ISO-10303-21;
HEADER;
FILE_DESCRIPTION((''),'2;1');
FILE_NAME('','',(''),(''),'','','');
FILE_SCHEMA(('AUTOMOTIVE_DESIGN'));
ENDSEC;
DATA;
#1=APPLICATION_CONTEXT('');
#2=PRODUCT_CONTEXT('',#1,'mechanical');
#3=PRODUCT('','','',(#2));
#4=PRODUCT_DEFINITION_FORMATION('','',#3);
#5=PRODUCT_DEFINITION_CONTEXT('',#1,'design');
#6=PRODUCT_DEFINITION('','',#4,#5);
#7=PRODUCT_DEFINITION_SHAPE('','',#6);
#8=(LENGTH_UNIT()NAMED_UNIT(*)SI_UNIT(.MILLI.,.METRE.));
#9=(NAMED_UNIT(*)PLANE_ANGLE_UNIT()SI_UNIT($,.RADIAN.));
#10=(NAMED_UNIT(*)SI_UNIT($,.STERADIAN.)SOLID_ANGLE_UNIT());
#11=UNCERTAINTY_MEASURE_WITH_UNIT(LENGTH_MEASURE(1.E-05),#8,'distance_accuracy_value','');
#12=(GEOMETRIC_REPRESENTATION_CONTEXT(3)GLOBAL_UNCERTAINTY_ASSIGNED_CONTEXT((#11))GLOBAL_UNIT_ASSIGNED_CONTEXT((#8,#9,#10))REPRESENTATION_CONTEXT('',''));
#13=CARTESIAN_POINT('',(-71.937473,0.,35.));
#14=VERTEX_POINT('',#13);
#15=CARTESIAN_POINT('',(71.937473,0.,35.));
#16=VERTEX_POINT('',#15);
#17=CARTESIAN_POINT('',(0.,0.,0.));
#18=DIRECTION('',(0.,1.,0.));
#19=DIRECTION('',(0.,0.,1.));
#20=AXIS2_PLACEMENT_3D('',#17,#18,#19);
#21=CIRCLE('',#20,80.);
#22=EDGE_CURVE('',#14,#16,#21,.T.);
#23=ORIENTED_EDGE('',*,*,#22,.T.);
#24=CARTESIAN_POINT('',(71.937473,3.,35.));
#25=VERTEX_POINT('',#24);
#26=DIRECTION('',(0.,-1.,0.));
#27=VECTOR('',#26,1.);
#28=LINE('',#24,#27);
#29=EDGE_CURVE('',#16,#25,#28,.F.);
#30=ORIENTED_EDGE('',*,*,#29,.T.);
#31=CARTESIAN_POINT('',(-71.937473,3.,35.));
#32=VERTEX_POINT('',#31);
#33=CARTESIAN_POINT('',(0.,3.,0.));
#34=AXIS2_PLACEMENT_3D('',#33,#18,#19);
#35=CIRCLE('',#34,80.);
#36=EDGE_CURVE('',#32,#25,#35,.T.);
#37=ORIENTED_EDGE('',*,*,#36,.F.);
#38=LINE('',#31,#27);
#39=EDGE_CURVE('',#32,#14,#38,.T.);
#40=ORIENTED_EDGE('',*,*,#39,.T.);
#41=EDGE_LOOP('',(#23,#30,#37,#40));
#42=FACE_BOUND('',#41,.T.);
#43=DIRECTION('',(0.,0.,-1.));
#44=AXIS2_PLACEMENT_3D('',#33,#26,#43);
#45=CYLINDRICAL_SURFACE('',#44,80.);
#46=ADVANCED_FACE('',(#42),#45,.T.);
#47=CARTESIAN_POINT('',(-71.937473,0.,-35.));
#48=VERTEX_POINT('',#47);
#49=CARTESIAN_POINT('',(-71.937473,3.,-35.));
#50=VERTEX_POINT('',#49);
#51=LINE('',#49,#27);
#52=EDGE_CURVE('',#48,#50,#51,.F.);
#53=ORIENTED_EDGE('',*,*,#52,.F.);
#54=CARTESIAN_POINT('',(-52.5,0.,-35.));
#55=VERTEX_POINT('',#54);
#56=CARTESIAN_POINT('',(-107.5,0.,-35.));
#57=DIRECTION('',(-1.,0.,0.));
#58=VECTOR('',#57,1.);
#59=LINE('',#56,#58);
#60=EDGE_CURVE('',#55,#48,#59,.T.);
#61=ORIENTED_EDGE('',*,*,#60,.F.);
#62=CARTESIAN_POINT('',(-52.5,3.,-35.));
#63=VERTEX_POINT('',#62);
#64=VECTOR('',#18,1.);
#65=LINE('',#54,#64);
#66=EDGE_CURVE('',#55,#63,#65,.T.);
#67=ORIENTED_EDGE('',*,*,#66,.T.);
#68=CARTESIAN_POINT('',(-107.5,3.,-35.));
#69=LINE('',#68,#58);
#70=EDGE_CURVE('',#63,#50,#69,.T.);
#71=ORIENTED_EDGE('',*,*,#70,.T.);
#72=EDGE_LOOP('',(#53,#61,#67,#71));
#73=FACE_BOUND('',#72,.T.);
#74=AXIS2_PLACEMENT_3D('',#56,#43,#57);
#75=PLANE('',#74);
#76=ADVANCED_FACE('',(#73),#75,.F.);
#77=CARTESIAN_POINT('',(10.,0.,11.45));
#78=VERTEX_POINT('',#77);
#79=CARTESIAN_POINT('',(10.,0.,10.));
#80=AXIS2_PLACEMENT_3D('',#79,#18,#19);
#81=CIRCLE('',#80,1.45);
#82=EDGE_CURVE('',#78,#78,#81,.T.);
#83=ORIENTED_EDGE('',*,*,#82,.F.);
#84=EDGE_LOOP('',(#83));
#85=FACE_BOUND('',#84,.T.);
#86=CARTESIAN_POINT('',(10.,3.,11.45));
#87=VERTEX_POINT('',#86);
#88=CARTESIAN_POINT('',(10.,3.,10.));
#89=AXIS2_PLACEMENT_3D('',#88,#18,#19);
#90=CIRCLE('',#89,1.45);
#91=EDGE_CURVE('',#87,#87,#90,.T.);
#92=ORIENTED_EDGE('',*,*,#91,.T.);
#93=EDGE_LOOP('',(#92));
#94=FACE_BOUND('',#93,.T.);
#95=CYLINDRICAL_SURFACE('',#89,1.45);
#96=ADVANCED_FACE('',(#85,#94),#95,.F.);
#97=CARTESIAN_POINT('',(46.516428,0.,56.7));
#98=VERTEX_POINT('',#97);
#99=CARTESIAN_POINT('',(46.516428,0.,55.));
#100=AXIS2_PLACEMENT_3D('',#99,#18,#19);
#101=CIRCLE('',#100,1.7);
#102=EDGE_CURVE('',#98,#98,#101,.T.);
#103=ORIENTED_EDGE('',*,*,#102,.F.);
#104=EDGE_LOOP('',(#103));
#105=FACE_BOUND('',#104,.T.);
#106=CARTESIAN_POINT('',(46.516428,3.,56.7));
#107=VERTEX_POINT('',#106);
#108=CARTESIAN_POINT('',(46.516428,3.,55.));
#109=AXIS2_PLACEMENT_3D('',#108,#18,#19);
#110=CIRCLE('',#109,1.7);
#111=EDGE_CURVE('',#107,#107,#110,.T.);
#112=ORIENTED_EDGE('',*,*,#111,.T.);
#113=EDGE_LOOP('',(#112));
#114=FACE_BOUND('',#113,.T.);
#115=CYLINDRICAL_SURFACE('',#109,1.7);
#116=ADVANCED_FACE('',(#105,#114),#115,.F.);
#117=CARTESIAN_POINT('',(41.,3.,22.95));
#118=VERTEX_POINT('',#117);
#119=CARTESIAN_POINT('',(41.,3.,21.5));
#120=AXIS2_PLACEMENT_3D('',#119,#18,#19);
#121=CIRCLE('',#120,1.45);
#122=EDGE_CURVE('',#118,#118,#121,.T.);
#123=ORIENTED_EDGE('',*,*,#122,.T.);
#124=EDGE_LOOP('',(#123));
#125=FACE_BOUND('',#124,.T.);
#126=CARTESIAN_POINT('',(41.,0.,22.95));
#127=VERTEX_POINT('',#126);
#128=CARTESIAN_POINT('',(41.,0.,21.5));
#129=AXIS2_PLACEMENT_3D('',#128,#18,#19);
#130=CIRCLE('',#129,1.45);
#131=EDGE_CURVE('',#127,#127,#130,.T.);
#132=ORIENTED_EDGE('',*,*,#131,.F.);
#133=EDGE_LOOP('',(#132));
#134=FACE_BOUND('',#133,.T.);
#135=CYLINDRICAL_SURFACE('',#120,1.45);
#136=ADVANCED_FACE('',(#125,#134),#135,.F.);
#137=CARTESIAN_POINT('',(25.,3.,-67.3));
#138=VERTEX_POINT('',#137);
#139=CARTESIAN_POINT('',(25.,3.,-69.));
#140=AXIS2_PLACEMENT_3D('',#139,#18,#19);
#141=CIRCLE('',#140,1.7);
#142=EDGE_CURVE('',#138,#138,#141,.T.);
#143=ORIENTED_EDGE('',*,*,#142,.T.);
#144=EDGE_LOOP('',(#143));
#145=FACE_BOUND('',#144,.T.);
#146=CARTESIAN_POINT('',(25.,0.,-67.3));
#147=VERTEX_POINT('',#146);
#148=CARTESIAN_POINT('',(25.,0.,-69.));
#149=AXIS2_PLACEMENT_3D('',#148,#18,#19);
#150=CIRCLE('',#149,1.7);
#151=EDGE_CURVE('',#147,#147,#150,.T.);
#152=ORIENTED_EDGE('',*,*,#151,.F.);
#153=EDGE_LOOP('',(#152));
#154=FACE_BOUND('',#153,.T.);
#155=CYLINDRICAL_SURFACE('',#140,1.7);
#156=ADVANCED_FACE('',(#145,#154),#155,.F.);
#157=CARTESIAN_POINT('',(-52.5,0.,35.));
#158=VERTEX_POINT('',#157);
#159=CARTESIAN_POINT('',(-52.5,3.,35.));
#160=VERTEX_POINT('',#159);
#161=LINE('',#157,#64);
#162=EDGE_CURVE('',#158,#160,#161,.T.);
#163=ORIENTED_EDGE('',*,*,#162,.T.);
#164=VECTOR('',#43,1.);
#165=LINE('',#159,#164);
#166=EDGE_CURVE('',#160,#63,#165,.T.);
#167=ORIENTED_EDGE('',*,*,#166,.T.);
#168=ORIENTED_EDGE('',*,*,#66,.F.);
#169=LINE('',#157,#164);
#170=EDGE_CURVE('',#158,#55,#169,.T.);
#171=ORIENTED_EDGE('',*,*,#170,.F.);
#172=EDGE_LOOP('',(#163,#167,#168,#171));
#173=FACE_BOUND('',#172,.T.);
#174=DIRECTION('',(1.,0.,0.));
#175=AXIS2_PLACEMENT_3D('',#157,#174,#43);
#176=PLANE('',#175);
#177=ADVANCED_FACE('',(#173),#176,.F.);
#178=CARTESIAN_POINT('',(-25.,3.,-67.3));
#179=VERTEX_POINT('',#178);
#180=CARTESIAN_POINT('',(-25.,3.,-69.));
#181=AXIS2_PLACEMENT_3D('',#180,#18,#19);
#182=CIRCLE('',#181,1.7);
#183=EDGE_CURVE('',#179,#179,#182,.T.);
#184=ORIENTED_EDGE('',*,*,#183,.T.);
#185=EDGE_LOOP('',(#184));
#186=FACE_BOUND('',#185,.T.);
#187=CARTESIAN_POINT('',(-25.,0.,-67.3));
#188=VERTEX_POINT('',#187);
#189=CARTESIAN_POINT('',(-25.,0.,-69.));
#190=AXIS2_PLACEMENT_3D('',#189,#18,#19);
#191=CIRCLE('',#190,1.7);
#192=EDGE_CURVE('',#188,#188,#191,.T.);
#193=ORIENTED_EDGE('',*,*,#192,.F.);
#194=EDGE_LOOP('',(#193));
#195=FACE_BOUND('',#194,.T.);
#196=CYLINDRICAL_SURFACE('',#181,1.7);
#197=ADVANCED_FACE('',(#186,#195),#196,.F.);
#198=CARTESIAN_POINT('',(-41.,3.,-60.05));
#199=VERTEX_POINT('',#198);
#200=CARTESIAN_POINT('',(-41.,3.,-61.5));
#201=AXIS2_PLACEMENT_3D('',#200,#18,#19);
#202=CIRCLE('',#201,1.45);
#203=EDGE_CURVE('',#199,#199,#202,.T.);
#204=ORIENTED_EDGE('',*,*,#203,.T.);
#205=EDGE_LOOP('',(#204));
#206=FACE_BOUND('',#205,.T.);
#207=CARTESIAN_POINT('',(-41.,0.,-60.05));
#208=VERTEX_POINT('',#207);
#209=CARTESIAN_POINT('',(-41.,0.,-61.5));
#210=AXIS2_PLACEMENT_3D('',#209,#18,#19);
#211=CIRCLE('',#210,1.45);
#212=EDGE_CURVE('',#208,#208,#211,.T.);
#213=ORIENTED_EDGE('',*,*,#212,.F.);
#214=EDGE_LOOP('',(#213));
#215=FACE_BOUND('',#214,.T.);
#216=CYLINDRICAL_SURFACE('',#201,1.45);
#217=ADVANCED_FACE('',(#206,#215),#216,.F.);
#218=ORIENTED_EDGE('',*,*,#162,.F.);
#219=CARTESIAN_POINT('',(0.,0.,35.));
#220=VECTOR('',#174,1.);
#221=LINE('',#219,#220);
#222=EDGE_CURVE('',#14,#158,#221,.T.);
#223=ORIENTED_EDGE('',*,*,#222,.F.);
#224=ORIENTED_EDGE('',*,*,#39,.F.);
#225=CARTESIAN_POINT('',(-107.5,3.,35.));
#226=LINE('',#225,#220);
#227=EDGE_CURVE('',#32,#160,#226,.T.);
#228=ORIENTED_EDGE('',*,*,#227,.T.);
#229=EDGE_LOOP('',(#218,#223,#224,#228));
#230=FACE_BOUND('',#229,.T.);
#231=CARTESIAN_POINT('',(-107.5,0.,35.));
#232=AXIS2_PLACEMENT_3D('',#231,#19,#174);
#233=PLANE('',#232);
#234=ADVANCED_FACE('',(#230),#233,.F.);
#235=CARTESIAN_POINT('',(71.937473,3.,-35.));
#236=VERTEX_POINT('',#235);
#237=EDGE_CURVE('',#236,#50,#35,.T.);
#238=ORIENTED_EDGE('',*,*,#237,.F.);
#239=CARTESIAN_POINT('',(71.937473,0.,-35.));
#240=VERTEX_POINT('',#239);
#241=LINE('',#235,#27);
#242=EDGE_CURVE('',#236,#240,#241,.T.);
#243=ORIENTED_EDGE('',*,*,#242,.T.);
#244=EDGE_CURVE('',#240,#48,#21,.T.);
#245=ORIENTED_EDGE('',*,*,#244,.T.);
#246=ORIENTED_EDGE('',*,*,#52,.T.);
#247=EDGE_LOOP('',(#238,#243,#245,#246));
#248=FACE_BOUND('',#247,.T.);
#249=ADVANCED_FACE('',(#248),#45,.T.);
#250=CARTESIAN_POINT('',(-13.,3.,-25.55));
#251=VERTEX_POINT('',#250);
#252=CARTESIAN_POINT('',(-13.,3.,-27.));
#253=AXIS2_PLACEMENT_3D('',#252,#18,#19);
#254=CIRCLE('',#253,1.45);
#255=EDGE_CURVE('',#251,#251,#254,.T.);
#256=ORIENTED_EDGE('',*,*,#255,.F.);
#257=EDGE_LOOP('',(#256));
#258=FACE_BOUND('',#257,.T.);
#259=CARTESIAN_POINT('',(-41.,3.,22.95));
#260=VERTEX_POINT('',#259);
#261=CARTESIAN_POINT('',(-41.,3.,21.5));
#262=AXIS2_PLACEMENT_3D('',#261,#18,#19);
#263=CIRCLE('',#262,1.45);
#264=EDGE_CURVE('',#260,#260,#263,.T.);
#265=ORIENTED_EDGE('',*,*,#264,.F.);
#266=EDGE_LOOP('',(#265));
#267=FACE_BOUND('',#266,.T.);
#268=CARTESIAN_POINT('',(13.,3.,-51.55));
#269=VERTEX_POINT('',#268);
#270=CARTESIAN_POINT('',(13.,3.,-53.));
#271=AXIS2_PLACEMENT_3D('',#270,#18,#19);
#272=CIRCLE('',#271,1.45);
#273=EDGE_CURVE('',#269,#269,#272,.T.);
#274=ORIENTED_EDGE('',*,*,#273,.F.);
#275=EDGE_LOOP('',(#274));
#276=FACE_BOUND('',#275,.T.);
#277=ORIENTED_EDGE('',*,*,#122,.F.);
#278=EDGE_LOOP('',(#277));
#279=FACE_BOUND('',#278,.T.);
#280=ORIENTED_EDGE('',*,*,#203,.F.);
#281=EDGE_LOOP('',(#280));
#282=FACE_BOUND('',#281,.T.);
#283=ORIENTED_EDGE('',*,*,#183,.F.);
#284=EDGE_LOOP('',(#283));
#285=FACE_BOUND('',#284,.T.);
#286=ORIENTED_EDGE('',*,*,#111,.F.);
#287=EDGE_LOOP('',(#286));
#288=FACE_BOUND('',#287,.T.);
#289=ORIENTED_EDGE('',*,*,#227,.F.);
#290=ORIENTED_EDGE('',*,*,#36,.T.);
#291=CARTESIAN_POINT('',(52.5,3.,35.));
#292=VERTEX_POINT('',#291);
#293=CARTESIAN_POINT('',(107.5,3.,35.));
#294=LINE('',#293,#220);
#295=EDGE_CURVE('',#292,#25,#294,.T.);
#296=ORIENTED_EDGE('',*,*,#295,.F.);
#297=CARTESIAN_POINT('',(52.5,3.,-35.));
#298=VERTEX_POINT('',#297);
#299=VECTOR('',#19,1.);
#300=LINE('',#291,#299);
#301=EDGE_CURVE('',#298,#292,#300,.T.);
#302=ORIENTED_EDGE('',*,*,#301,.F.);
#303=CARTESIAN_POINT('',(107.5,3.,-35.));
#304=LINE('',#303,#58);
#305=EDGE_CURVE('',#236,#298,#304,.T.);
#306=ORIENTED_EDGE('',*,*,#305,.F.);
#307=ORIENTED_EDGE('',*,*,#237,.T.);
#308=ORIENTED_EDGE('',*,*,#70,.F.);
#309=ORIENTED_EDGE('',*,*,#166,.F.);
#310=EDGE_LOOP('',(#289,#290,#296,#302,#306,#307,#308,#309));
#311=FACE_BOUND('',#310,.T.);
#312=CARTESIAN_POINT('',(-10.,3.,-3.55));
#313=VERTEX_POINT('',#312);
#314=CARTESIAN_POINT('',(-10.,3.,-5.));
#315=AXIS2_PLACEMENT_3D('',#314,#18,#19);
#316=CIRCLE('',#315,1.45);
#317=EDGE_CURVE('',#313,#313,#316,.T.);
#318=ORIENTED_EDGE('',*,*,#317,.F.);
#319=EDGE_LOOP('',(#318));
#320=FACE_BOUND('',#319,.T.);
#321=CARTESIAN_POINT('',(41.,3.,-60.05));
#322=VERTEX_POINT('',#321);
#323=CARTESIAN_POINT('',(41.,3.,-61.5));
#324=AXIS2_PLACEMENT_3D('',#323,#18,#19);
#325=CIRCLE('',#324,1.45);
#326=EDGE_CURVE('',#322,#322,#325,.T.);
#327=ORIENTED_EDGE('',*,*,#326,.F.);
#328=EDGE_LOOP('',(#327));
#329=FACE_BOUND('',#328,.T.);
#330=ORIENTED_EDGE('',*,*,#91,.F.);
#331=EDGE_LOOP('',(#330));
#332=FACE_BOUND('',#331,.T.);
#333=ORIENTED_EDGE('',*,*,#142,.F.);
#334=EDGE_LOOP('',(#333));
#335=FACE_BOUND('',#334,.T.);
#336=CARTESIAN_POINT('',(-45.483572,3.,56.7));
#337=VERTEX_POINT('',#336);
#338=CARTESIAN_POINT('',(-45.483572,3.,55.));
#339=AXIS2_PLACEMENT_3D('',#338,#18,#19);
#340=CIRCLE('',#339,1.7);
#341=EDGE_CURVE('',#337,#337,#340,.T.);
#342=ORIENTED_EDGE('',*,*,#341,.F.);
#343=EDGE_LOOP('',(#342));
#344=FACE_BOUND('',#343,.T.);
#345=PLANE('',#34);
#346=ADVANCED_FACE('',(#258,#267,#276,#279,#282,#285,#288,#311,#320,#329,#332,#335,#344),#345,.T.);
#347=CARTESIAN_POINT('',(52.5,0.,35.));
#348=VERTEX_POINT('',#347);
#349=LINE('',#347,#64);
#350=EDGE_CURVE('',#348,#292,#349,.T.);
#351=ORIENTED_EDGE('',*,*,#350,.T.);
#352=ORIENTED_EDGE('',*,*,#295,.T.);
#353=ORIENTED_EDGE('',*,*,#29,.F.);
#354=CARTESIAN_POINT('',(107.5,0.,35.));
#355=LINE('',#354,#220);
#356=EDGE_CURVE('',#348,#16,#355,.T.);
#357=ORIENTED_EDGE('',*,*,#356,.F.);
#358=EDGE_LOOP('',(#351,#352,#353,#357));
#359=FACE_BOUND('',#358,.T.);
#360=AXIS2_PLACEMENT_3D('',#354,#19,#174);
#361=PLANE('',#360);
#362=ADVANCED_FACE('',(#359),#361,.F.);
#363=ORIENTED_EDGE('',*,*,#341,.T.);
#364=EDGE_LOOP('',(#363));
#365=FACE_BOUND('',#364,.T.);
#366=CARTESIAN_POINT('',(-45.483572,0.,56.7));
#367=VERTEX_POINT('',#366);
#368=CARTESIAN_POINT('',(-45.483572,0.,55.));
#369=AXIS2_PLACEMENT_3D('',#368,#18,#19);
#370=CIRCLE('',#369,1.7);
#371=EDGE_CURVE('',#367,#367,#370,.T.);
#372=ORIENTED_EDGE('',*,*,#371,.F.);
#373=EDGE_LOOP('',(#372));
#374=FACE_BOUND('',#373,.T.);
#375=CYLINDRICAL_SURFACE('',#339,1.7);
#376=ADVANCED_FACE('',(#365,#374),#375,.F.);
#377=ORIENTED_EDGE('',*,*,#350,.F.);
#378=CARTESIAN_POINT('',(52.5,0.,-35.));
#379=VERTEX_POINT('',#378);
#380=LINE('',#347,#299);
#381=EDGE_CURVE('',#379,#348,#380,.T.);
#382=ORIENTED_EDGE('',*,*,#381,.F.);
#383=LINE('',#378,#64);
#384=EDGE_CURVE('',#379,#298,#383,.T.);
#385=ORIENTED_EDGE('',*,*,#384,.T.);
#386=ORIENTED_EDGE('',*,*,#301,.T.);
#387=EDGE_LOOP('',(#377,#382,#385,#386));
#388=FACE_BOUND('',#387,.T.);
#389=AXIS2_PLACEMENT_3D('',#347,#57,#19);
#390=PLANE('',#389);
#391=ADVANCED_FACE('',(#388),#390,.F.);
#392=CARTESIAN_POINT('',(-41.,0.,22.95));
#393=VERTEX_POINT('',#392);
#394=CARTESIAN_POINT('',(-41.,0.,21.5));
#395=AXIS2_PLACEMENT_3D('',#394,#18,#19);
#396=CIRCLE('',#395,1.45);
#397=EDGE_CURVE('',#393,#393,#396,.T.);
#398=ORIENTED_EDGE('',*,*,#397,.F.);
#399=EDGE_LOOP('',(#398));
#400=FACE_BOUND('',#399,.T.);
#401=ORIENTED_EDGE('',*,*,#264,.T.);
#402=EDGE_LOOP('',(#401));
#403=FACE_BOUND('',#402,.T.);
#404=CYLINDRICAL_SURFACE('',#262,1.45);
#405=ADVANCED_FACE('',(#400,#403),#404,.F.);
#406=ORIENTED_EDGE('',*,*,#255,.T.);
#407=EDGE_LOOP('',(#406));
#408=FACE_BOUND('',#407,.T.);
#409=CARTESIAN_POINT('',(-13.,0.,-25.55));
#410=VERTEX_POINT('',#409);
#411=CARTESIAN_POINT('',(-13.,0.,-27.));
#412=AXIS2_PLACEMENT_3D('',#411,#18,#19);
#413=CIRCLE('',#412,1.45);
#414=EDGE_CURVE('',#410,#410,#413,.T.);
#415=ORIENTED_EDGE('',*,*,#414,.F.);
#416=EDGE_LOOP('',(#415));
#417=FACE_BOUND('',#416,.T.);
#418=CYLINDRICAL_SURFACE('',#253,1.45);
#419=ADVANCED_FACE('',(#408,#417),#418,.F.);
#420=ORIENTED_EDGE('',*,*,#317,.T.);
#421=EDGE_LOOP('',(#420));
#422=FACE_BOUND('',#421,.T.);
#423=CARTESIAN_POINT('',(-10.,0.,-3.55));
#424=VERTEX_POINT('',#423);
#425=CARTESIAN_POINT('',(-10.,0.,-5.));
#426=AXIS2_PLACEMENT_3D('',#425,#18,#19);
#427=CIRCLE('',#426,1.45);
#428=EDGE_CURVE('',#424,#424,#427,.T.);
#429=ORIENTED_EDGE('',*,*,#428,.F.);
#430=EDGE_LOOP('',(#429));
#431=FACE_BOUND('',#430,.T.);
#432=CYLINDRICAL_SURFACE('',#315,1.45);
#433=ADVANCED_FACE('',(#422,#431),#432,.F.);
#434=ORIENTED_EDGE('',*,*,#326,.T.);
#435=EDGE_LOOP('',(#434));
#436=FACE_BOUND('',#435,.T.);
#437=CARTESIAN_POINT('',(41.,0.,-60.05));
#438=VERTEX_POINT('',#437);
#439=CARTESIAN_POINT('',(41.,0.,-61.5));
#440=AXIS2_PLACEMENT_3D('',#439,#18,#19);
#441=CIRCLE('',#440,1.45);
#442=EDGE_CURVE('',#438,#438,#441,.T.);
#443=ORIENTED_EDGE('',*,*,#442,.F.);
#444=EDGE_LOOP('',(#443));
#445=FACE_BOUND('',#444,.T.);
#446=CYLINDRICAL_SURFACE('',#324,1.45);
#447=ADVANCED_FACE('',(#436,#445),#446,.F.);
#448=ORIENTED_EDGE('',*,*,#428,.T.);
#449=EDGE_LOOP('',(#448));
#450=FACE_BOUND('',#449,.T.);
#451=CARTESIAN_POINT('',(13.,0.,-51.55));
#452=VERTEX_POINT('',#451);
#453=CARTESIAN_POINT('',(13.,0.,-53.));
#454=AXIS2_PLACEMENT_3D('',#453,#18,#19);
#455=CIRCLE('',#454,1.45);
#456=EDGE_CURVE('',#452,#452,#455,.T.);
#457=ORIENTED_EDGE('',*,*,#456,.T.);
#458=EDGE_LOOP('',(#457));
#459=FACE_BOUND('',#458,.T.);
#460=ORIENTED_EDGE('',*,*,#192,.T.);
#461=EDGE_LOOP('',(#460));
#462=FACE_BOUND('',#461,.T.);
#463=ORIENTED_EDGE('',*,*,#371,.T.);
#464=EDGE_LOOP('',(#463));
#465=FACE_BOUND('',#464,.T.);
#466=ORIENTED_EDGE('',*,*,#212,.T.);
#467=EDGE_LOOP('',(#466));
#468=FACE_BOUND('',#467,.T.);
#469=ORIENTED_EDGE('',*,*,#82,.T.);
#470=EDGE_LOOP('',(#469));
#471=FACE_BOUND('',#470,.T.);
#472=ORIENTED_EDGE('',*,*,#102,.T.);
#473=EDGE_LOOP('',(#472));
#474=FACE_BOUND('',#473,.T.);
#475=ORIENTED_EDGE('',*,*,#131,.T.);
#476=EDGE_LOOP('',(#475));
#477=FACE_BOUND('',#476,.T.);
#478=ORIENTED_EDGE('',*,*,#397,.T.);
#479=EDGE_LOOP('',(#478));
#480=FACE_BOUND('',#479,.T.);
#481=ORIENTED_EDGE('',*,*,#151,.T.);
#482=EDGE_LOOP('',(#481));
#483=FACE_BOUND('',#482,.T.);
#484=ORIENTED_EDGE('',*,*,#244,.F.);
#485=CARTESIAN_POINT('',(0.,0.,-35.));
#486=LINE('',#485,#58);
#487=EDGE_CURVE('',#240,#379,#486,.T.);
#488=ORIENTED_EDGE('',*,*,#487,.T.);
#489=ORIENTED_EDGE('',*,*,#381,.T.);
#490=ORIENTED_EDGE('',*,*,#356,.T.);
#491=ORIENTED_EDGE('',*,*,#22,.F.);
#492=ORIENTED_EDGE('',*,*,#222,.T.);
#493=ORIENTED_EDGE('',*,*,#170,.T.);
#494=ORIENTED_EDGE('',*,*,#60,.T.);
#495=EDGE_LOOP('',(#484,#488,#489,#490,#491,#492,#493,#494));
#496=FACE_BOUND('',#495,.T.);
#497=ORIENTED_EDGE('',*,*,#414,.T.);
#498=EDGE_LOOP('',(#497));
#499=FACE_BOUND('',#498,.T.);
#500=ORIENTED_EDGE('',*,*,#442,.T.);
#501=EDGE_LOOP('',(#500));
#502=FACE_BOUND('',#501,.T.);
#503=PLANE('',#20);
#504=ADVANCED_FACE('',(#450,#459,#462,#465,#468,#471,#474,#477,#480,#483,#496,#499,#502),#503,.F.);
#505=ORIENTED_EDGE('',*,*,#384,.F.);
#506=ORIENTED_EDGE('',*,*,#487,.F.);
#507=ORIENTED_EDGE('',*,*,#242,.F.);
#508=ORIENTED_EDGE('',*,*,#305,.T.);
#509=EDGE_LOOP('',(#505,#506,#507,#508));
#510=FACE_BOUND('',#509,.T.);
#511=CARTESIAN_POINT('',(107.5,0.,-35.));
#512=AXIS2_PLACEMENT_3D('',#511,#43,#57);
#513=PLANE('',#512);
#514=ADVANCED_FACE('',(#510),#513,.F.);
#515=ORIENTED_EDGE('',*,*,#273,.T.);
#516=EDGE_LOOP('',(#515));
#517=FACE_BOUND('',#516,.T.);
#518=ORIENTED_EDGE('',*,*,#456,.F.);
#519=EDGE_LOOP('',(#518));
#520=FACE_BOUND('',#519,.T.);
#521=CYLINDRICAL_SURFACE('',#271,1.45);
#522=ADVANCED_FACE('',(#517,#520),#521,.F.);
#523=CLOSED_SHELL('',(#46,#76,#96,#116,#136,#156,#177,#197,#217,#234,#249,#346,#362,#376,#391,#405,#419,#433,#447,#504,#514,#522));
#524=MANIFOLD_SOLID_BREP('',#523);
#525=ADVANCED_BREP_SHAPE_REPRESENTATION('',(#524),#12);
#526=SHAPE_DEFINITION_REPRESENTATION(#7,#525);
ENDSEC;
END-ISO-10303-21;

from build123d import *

# Parameters (mm, degrees)
ESQUISSE1_R             = 80
BOSS_EXTRU_1_DEPTH      = 3
ESQUISSE2_W             = 55
ESQUISSE2_H             = 70
ENL_V_MAT_EXTRU_1_DEPTH = 114.176852757
D_GAGEMENT_M2_51_D      = 2.9
D_GAGEMENT_M2_51_DEPTH  = 24
D_GAGEMENT_M2_51_TIP    = 0.871247898
D_GAGEMENT_M2_52_D      = 2.9
D_GAGEMENT_M2_52_DEPTH  = 24
D_GAGEMENT_M2_52_TIP    = 0.871247898
D_GAGEMENT_M31_D        = 3.4
D_GAGEMENT_M31_DEPTH    = 24
D_GAGEMENT_M31_TIP      = 1.021463052


with BuildPart() as part:
    # Esquisse1 → Boss.-Extru.1 (new body)
    with BuildSketch(Plane(origin=(0, 0, 0), x_dir=(1, 0, 0), z_dir=(0, 1, 0))):
        with Locations(Location((0, 0, 0), (0, 0, 270))):
            Circle(ESQUISSE1_R)
    extrude(amount=BOSS_EXTRU_1_DEPTH)

    # Esquisse2 → Enlèv. mat.-Extru.1 (cut, through all)
    with BuildSketch(Plane(origin=(0, 3, 0), x_dir=(1, 0, 0), z_dir=(0, 1, 0))):
        with Locations((-80, 0)):
            Rectangle(ESQUISSE2_W, ESQUISSE2_H)
        with Locations((80, 0)):
            Rectangle(ESQUISSE2_W, ESQUISSE2_H)
    extrude(amount=-ENL_V_MAT_EXTRU_1_DEPTH, mode=Mode.SUBTRACT)

    # Dégagement M2.51
    with Locations(Plane(origin=(0, 3, 0), x_dir=(1, 0, 0), z_dir=(0, 1, 0))):
        with Locations((-41, 61.5), (-41, -21.5), (41, -21.5), (41, 61.5)):
            Hole(D_GAGEMENT_M2_51_D / 2, depth=D_GAGEMENT_M2_51_DEPTH)
            with Locations((0, 0, -(D_GAGEMENT_M2_51_DEPTH + D_GAGEMENT_M2_51_TIP / 2))):  # 118° drill point
                Cone(0, D_GAGEMENT_M2_51_D / 2, D_GAGEMENT_M2_51_TIP, mode=Mode.SUBTRACT)

    # Dégagement M2.52
    with Locations(Plane(origin=(0, 3, 0), x_dir=(1, 0, 0), z_dir=(0, 1, 0))):
        with Locations((-13, 27), (13, 53), (-10, 5), (10, -10)):
            Hole(D_GAGEMENT_M2_52_D / 2, depth=D_GAGEMENT_M2_52_DEPTH)
            with Locations((0, 0, -(D_GAGEMENT_M2_52_DEPTH + D_GAGEMENT_M2_52_TIP / 2))):  # 118° drill point
                Cone(0, D_GAGEMENT_M2_52_D / 2, D_GAGEMENT_M2_52_TIP, mode=Mode.SUBTRACT)

    # Dégagement M31
    with Locations(Plane(origin=(0, 3, 0), x_dir=(1, 0, 0), z_dir=(0, 1, 0))):
        with Locations((-45.483572208, -55), (46.516427792, -55), (-25, 69), (25, 69)):
            Hole(D_GAGEMENT_M31_D / 2, depth=D_GAGEMENT_M31_DEPTH)
            with Locations((0, 0, -(D_GAGEMENT_M31_DEPTH + D_GAGEMENT_M31_TIP / 2))):  # 118° drill point
                Cone(0, D_GAGEMENT_M31_D / 2, D_GAGEMENT_M31_TIP, mode=Mode.SUBTRACT)


solid = part.part
